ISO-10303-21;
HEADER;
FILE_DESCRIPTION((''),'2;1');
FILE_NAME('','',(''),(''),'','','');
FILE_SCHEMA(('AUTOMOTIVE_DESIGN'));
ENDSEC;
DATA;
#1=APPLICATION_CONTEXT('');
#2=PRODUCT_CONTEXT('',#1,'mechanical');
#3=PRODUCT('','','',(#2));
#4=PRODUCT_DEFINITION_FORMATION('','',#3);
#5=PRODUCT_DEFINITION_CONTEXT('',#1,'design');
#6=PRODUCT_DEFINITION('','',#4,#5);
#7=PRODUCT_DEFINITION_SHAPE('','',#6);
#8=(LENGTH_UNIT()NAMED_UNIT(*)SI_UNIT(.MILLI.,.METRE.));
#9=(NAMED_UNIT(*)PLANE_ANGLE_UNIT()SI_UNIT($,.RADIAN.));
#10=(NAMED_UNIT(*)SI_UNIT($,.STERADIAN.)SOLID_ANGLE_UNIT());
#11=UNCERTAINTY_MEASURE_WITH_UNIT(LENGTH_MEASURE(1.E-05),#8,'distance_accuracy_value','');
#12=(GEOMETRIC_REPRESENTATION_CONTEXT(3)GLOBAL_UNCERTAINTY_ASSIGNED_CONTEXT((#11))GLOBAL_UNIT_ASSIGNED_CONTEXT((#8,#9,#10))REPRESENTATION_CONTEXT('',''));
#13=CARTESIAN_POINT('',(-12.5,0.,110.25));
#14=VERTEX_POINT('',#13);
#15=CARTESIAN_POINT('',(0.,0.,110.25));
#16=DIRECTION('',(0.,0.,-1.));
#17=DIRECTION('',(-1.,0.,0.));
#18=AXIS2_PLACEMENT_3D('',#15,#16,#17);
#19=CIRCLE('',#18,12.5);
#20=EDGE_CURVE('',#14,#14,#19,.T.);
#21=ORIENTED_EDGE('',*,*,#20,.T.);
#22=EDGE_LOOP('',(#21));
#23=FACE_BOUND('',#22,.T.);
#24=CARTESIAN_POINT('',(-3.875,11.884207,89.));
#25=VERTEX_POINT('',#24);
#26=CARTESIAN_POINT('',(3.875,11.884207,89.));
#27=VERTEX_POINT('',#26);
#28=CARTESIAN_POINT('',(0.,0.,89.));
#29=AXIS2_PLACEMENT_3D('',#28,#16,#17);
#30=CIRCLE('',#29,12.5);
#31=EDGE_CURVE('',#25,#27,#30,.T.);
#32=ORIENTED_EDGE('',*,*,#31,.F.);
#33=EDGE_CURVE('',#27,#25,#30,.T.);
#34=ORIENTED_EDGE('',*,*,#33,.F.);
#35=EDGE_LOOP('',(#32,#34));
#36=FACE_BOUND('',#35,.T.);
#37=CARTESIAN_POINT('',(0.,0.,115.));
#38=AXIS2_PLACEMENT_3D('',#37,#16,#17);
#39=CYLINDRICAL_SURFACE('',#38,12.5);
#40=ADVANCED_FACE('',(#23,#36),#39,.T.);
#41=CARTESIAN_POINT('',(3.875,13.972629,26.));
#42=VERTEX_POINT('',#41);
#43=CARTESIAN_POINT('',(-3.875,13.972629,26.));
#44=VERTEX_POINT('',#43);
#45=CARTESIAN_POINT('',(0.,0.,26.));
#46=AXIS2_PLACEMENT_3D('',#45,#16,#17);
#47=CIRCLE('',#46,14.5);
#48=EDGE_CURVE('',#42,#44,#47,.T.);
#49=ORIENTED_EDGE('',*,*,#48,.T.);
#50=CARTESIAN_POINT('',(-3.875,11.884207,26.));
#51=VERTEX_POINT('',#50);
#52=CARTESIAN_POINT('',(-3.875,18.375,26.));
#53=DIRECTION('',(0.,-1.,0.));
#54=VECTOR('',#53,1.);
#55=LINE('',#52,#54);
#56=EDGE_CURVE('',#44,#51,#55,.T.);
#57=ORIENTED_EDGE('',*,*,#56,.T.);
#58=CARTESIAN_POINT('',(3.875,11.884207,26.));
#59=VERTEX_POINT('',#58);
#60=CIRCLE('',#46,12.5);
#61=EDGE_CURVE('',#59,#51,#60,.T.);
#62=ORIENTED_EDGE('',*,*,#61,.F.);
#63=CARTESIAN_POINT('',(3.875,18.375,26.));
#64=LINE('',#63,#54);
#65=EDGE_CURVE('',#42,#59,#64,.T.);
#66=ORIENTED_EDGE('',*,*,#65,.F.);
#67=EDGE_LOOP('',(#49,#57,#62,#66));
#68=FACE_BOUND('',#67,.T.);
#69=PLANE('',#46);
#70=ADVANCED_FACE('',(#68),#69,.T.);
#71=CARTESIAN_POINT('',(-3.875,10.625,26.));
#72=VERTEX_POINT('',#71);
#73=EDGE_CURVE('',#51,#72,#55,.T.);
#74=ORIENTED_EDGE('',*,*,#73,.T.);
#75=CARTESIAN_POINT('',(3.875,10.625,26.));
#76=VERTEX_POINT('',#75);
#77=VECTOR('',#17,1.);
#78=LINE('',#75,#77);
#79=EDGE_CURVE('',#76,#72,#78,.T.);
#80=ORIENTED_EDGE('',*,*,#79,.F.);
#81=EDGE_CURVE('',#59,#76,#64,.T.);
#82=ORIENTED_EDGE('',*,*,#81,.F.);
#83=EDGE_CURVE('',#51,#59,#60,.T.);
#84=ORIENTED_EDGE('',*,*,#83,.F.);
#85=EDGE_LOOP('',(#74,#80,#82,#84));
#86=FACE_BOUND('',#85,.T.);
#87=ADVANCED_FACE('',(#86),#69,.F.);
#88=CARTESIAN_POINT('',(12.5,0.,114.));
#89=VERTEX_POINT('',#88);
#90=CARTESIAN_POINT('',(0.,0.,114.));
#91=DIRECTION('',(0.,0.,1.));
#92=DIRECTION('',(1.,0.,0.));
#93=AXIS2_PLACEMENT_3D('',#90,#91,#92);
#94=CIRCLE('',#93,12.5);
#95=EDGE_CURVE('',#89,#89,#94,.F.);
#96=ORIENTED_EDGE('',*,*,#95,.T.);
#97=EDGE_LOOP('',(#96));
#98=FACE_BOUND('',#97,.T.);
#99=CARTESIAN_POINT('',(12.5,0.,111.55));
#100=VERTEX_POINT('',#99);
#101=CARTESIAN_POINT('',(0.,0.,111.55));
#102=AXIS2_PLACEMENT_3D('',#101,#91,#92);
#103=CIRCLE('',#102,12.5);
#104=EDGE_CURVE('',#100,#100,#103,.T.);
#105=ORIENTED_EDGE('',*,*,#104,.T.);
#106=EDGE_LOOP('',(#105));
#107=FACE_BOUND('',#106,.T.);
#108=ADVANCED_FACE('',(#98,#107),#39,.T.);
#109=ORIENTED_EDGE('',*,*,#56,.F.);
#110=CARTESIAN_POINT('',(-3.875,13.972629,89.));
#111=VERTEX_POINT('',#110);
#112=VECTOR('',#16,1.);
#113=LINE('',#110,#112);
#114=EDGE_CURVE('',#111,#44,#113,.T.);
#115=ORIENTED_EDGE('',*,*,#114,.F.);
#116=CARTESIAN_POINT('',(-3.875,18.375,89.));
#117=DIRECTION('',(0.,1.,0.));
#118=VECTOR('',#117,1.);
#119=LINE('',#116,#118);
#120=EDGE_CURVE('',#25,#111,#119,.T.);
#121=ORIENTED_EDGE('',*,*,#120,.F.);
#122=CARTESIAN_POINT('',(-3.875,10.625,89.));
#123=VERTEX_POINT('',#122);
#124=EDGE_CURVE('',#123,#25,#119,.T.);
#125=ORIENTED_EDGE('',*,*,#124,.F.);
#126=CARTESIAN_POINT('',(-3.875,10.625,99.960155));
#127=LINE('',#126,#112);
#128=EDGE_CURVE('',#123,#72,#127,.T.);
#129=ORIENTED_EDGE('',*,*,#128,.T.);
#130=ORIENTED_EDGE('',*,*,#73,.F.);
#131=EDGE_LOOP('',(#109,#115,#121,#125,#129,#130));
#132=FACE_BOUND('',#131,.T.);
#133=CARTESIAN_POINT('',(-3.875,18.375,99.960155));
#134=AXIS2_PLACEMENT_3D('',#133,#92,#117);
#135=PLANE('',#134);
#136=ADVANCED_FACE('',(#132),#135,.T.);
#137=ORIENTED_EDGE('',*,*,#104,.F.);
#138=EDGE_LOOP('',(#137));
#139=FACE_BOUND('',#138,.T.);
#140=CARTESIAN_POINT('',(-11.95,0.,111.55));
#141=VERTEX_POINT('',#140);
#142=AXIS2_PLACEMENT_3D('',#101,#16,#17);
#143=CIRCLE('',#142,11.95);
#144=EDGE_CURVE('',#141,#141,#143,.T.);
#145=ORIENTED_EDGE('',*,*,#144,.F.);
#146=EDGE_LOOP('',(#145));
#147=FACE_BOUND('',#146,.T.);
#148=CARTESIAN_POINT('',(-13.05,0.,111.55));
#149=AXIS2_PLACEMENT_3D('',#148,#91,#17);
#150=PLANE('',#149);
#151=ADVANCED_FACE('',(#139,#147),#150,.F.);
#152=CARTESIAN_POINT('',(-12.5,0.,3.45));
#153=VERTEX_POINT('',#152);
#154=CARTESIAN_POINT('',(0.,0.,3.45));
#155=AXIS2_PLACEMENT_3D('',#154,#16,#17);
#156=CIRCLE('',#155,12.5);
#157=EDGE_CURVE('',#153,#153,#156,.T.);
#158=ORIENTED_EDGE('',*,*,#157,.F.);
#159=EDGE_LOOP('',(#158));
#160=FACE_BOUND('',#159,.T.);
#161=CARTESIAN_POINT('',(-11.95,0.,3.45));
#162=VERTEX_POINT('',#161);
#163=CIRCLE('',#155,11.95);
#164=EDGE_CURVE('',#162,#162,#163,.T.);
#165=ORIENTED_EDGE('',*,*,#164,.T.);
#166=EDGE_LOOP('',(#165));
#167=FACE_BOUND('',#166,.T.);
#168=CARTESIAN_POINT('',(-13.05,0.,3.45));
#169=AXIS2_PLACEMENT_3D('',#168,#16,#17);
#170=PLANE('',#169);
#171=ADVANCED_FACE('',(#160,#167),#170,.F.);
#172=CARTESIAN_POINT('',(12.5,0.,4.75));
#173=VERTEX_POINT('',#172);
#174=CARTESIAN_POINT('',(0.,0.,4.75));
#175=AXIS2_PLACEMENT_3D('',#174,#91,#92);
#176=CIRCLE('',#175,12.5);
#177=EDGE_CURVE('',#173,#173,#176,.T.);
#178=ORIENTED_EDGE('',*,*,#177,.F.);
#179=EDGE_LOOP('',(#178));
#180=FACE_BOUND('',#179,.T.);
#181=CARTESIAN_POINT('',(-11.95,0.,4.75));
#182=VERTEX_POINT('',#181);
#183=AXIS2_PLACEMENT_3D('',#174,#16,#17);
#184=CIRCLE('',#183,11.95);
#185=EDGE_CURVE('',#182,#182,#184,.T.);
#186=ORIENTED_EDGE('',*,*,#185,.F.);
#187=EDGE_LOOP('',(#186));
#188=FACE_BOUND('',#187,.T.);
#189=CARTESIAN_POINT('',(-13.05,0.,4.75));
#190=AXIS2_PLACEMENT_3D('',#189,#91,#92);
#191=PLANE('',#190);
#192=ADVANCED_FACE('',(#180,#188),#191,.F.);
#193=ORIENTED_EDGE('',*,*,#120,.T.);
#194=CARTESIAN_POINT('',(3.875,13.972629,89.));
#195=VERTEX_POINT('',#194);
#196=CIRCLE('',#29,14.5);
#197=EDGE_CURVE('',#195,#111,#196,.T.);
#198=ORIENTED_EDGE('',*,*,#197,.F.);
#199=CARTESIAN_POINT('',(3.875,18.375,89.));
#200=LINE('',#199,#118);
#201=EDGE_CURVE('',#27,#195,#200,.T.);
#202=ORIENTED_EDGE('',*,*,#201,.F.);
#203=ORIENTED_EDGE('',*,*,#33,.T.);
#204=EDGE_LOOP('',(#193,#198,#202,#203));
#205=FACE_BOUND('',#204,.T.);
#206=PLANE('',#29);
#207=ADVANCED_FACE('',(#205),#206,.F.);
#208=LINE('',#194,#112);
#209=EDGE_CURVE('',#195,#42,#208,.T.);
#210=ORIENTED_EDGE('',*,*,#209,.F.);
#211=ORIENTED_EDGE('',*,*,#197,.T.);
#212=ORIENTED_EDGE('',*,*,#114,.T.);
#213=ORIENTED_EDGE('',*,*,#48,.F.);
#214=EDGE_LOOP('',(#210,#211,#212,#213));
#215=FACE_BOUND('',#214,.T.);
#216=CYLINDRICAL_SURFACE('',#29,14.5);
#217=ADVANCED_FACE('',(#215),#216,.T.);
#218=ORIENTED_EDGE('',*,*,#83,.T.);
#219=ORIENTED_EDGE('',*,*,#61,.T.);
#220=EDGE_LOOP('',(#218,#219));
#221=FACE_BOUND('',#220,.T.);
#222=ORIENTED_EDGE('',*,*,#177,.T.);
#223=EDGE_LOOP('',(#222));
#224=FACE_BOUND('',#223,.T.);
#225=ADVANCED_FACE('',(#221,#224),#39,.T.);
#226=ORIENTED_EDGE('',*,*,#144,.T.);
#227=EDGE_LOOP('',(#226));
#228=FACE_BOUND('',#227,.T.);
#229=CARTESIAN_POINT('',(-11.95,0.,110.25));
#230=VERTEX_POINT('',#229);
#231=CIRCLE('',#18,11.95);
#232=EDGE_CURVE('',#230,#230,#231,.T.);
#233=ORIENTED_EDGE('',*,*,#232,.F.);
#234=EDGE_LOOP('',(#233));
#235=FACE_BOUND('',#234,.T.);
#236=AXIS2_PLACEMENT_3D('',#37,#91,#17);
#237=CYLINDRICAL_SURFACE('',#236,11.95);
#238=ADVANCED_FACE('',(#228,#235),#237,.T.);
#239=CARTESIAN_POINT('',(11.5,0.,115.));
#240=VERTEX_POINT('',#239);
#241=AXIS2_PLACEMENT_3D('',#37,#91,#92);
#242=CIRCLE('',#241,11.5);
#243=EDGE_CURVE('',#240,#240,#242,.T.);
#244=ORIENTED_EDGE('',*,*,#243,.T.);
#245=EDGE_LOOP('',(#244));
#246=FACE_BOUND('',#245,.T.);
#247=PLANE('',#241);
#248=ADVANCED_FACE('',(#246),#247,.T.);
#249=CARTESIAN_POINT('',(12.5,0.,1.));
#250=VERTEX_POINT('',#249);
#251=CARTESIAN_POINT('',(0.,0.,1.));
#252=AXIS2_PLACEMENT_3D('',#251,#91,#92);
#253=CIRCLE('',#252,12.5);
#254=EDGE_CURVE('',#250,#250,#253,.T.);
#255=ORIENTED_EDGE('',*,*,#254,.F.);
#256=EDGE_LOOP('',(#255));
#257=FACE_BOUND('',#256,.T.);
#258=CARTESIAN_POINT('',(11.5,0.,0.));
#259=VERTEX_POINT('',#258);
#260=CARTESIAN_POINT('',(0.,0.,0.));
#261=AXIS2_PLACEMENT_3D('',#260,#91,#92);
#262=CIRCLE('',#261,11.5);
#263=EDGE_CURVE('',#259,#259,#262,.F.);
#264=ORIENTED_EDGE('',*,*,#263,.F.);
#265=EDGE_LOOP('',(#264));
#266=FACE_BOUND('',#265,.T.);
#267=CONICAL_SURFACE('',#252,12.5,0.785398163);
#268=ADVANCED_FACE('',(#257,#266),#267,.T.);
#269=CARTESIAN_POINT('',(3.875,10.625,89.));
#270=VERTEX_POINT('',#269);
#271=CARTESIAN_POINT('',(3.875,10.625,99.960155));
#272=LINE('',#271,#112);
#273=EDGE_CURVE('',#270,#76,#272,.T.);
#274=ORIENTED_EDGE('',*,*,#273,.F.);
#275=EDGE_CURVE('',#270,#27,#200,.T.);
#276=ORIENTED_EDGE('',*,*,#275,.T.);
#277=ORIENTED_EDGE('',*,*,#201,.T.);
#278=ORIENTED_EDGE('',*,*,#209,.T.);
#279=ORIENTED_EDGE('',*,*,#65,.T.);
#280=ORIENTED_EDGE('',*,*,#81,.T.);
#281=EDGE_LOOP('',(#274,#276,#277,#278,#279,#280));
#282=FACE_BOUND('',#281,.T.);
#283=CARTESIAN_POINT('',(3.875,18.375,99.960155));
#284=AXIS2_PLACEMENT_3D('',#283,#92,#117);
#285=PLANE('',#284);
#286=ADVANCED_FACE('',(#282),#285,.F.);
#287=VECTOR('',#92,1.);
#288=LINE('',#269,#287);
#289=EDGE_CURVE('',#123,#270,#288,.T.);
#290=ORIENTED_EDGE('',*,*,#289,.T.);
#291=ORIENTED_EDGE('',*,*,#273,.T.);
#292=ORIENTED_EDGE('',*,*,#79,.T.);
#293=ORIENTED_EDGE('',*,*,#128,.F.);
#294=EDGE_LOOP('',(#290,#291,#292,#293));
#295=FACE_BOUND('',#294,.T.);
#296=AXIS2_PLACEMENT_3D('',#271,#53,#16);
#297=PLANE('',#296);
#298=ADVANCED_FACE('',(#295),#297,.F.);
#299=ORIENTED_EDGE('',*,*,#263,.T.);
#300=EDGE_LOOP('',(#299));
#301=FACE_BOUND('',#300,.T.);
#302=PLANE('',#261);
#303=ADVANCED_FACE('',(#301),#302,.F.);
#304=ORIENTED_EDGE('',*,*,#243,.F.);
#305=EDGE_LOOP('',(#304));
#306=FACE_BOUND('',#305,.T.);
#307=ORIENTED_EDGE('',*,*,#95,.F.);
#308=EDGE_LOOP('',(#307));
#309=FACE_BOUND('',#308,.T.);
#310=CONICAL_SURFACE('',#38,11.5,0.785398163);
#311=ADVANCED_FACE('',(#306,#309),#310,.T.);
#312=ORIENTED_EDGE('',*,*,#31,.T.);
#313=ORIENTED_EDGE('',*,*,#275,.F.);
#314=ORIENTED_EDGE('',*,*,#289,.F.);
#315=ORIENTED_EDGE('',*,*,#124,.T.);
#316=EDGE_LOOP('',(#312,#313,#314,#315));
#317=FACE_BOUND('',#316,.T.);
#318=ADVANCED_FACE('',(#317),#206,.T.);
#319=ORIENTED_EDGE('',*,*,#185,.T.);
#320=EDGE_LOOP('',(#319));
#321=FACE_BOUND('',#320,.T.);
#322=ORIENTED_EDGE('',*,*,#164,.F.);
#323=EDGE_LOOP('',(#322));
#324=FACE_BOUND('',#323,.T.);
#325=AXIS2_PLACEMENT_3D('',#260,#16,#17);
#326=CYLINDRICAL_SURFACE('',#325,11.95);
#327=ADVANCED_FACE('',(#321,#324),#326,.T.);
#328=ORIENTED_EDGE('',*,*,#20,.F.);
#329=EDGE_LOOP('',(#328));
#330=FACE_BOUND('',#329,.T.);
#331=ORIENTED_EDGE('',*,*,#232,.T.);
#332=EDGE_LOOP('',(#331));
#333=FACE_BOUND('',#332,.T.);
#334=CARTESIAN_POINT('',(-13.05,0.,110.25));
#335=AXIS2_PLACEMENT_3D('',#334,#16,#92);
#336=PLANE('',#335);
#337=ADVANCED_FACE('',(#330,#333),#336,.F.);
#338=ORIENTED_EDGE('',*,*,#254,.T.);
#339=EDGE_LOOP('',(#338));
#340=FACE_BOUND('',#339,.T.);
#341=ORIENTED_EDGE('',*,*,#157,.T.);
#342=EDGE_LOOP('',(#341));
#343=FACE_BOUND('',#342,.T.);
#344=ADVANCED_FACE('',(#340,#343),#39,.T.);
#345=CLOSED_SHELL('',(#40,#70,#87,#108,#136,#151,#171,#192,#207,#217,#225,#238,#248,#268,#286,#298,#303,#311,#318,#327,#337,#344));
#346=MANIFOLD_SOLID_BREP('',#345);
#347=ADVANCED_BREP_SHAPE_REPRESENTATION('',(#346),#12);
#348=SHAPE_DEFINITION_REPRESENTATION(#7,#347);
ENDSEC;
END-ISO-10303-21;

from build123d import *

# Parameters (mm, degrees)
SKETCH1_R                      = 12.5
BOSS_EXTRUDE1_DEPTH            = 115
BOSS_EXTRUDE2_DEPTH            = 31.5
BOSS_EXTRUDE2_DEPTH_BACK       = 31.5
SKETCH2_R                      = 14.5
CUT_EXTRUDE1_REACH             = 63.047
SKETCH3_W                      = 7.75
SKETCH3_H                      = 7.75
CUT_EXTRUDE1_DIRECTION_2_REACH = 63.047
SKETCH4_W                      = 1.1
SKETCH4_H                      = 1.3
CHAMFER1_SIZE                  = 1


with BuildPart() as part:
    # Sketch1 → Boss-Extrude1 (new body)
    with BuildSketch(Plane.XY):
        Circle(SKETCH1_R)
    extrude(amount=BOSS_EXTRUDE1_DEPTH)

    # Sketch2 → Boss-Extrude2 (add, two sides: drawn at the far end of the back side and taken through both)
    with BuildSketch(Plane(origin=(0, 0, 57.5), x_dir=(-1, 0, 0), z_dir=(0, 0, -1)).offset(-BOSS_EXTRUDE2_DEPTH_BACK)):
        Circle(SKETCH2_R)
    extrude(amount=BOSS_EXTRUDE2_DEPTH + BOSS_EXTRUDE2_DEPTH_BACK)

    # Cut-Extrude1: up to this face of the body (flat: up to its plane)
    cut_extrude1_end = Plane(part.part.faces().sort_by_distance((14.089878067, 0, 89))[0])
    # Sketch3 → Cut-Extrude1 (cut, up to the picked face)
    with BuildSketch(Plane(origin=(0, 0, 57.5), x_dir=(-1, 0, 0), z_dir=(0, 0, -1)), mode=Mode.PRIVATE) as cut_extrude1_sk1:
        with Locations((0, 14.5)):
            Rectangle(SKETCH3_W, SKETCH3_H)
    cut_extrude1_tool1 = split(extrude(cut_extrude1_sk1.sketch, amount=-CUT_EXTRUDE1_REACH, mode=Mode.PRIVATE), bisect_by=cut_extrude1_end, keep=Keep.BOTH, mode=Mode.PRIVATE)
    add(cut_extrude1_tool1.solids().sort_by(Axis((0, 14.5, 57.5), (0, 0, 1)))[0], mode=Mode.SUBTRACT)

    # Cut-Extrude1 direction 2: up to this face of the body (flat: up to its plane)
    cut_extrude1_direction_2_end = Plane(part.part.faces().sort_by_distance((14.089878067, 0, 26))[0])
    # Sketch3 → Cut-Extrude1 direction 2 (cut, up to the picked face)
    with BuildSketch(Plane(origin=(0, 0, 57.5), x_dir=(-1, 0, 0), z_dir=(0, 0, -1)), mode=Mode.PRIVATE) as cut_extrude1_direction_2_sk1:
        with Locations((0, 14.5)):
            Rectangle(SKETCH3_W, SKETCH3_H)
    cut_extrude1_direction_2_tool1 = split(extrude(cut_extrude1_direction_2_sk1.sketch, amount=CUT_EXTRUDE1_DIRECTION_2_REACH, mode=Mode.PRIVATE), bisect_by=cut_extrude1_direction_2_end, keep=Keep.BOTH, mode=Mode.PRIVATE)
    add(cut_extrude1_direction_2_tool1.solids().sort_by(Axis((0, 14.5, 57.5), (0, 0, -1)))[0], mode=Mode.SUBTRACT)

    # Sketch4 → Cut-Revolve1 (revolve, cut)
    with BuildSketch(Plane(origin=(0, 0, 0), x_dir=(1, 0, 0), z_dir=(0, 1, 0)), mode=Mode.PRIVATE) as cut_revolve1_sk:
        with Locations((-12.5, -4.1)):
            Rectangle(SKETCH4_W, SKETCH4_H)
    cut_revolve1 = revolve(cut_revolve1_sk.sketch.rotate(Axis((0, 0, 0), (0, 0, 1)), 288.059230491), axis=Axis((0, 0, 0), (0, 0, 1)), mode=Mode.SUBTRACT)

    # Mirror1: Cut-Revolve1 across plane
    add(cut_revolve1.mirror(Plane(origin=(0, 0, 57.5), x_dir=(1, 0, 0), z_dir=(0, 0, -1))), mode=Mode.SUBTRACT)

    # Chamfer1
    chamfer1_edges = [part.edges().sort_by_distance(p)[0] for p in [
        (-12.5, 0, 0),
        (-12.5, 0, 115),
    ]]
    chamfer(chamfer1_edges, length=CHAMFER1_SIZE)


solid = part.part
